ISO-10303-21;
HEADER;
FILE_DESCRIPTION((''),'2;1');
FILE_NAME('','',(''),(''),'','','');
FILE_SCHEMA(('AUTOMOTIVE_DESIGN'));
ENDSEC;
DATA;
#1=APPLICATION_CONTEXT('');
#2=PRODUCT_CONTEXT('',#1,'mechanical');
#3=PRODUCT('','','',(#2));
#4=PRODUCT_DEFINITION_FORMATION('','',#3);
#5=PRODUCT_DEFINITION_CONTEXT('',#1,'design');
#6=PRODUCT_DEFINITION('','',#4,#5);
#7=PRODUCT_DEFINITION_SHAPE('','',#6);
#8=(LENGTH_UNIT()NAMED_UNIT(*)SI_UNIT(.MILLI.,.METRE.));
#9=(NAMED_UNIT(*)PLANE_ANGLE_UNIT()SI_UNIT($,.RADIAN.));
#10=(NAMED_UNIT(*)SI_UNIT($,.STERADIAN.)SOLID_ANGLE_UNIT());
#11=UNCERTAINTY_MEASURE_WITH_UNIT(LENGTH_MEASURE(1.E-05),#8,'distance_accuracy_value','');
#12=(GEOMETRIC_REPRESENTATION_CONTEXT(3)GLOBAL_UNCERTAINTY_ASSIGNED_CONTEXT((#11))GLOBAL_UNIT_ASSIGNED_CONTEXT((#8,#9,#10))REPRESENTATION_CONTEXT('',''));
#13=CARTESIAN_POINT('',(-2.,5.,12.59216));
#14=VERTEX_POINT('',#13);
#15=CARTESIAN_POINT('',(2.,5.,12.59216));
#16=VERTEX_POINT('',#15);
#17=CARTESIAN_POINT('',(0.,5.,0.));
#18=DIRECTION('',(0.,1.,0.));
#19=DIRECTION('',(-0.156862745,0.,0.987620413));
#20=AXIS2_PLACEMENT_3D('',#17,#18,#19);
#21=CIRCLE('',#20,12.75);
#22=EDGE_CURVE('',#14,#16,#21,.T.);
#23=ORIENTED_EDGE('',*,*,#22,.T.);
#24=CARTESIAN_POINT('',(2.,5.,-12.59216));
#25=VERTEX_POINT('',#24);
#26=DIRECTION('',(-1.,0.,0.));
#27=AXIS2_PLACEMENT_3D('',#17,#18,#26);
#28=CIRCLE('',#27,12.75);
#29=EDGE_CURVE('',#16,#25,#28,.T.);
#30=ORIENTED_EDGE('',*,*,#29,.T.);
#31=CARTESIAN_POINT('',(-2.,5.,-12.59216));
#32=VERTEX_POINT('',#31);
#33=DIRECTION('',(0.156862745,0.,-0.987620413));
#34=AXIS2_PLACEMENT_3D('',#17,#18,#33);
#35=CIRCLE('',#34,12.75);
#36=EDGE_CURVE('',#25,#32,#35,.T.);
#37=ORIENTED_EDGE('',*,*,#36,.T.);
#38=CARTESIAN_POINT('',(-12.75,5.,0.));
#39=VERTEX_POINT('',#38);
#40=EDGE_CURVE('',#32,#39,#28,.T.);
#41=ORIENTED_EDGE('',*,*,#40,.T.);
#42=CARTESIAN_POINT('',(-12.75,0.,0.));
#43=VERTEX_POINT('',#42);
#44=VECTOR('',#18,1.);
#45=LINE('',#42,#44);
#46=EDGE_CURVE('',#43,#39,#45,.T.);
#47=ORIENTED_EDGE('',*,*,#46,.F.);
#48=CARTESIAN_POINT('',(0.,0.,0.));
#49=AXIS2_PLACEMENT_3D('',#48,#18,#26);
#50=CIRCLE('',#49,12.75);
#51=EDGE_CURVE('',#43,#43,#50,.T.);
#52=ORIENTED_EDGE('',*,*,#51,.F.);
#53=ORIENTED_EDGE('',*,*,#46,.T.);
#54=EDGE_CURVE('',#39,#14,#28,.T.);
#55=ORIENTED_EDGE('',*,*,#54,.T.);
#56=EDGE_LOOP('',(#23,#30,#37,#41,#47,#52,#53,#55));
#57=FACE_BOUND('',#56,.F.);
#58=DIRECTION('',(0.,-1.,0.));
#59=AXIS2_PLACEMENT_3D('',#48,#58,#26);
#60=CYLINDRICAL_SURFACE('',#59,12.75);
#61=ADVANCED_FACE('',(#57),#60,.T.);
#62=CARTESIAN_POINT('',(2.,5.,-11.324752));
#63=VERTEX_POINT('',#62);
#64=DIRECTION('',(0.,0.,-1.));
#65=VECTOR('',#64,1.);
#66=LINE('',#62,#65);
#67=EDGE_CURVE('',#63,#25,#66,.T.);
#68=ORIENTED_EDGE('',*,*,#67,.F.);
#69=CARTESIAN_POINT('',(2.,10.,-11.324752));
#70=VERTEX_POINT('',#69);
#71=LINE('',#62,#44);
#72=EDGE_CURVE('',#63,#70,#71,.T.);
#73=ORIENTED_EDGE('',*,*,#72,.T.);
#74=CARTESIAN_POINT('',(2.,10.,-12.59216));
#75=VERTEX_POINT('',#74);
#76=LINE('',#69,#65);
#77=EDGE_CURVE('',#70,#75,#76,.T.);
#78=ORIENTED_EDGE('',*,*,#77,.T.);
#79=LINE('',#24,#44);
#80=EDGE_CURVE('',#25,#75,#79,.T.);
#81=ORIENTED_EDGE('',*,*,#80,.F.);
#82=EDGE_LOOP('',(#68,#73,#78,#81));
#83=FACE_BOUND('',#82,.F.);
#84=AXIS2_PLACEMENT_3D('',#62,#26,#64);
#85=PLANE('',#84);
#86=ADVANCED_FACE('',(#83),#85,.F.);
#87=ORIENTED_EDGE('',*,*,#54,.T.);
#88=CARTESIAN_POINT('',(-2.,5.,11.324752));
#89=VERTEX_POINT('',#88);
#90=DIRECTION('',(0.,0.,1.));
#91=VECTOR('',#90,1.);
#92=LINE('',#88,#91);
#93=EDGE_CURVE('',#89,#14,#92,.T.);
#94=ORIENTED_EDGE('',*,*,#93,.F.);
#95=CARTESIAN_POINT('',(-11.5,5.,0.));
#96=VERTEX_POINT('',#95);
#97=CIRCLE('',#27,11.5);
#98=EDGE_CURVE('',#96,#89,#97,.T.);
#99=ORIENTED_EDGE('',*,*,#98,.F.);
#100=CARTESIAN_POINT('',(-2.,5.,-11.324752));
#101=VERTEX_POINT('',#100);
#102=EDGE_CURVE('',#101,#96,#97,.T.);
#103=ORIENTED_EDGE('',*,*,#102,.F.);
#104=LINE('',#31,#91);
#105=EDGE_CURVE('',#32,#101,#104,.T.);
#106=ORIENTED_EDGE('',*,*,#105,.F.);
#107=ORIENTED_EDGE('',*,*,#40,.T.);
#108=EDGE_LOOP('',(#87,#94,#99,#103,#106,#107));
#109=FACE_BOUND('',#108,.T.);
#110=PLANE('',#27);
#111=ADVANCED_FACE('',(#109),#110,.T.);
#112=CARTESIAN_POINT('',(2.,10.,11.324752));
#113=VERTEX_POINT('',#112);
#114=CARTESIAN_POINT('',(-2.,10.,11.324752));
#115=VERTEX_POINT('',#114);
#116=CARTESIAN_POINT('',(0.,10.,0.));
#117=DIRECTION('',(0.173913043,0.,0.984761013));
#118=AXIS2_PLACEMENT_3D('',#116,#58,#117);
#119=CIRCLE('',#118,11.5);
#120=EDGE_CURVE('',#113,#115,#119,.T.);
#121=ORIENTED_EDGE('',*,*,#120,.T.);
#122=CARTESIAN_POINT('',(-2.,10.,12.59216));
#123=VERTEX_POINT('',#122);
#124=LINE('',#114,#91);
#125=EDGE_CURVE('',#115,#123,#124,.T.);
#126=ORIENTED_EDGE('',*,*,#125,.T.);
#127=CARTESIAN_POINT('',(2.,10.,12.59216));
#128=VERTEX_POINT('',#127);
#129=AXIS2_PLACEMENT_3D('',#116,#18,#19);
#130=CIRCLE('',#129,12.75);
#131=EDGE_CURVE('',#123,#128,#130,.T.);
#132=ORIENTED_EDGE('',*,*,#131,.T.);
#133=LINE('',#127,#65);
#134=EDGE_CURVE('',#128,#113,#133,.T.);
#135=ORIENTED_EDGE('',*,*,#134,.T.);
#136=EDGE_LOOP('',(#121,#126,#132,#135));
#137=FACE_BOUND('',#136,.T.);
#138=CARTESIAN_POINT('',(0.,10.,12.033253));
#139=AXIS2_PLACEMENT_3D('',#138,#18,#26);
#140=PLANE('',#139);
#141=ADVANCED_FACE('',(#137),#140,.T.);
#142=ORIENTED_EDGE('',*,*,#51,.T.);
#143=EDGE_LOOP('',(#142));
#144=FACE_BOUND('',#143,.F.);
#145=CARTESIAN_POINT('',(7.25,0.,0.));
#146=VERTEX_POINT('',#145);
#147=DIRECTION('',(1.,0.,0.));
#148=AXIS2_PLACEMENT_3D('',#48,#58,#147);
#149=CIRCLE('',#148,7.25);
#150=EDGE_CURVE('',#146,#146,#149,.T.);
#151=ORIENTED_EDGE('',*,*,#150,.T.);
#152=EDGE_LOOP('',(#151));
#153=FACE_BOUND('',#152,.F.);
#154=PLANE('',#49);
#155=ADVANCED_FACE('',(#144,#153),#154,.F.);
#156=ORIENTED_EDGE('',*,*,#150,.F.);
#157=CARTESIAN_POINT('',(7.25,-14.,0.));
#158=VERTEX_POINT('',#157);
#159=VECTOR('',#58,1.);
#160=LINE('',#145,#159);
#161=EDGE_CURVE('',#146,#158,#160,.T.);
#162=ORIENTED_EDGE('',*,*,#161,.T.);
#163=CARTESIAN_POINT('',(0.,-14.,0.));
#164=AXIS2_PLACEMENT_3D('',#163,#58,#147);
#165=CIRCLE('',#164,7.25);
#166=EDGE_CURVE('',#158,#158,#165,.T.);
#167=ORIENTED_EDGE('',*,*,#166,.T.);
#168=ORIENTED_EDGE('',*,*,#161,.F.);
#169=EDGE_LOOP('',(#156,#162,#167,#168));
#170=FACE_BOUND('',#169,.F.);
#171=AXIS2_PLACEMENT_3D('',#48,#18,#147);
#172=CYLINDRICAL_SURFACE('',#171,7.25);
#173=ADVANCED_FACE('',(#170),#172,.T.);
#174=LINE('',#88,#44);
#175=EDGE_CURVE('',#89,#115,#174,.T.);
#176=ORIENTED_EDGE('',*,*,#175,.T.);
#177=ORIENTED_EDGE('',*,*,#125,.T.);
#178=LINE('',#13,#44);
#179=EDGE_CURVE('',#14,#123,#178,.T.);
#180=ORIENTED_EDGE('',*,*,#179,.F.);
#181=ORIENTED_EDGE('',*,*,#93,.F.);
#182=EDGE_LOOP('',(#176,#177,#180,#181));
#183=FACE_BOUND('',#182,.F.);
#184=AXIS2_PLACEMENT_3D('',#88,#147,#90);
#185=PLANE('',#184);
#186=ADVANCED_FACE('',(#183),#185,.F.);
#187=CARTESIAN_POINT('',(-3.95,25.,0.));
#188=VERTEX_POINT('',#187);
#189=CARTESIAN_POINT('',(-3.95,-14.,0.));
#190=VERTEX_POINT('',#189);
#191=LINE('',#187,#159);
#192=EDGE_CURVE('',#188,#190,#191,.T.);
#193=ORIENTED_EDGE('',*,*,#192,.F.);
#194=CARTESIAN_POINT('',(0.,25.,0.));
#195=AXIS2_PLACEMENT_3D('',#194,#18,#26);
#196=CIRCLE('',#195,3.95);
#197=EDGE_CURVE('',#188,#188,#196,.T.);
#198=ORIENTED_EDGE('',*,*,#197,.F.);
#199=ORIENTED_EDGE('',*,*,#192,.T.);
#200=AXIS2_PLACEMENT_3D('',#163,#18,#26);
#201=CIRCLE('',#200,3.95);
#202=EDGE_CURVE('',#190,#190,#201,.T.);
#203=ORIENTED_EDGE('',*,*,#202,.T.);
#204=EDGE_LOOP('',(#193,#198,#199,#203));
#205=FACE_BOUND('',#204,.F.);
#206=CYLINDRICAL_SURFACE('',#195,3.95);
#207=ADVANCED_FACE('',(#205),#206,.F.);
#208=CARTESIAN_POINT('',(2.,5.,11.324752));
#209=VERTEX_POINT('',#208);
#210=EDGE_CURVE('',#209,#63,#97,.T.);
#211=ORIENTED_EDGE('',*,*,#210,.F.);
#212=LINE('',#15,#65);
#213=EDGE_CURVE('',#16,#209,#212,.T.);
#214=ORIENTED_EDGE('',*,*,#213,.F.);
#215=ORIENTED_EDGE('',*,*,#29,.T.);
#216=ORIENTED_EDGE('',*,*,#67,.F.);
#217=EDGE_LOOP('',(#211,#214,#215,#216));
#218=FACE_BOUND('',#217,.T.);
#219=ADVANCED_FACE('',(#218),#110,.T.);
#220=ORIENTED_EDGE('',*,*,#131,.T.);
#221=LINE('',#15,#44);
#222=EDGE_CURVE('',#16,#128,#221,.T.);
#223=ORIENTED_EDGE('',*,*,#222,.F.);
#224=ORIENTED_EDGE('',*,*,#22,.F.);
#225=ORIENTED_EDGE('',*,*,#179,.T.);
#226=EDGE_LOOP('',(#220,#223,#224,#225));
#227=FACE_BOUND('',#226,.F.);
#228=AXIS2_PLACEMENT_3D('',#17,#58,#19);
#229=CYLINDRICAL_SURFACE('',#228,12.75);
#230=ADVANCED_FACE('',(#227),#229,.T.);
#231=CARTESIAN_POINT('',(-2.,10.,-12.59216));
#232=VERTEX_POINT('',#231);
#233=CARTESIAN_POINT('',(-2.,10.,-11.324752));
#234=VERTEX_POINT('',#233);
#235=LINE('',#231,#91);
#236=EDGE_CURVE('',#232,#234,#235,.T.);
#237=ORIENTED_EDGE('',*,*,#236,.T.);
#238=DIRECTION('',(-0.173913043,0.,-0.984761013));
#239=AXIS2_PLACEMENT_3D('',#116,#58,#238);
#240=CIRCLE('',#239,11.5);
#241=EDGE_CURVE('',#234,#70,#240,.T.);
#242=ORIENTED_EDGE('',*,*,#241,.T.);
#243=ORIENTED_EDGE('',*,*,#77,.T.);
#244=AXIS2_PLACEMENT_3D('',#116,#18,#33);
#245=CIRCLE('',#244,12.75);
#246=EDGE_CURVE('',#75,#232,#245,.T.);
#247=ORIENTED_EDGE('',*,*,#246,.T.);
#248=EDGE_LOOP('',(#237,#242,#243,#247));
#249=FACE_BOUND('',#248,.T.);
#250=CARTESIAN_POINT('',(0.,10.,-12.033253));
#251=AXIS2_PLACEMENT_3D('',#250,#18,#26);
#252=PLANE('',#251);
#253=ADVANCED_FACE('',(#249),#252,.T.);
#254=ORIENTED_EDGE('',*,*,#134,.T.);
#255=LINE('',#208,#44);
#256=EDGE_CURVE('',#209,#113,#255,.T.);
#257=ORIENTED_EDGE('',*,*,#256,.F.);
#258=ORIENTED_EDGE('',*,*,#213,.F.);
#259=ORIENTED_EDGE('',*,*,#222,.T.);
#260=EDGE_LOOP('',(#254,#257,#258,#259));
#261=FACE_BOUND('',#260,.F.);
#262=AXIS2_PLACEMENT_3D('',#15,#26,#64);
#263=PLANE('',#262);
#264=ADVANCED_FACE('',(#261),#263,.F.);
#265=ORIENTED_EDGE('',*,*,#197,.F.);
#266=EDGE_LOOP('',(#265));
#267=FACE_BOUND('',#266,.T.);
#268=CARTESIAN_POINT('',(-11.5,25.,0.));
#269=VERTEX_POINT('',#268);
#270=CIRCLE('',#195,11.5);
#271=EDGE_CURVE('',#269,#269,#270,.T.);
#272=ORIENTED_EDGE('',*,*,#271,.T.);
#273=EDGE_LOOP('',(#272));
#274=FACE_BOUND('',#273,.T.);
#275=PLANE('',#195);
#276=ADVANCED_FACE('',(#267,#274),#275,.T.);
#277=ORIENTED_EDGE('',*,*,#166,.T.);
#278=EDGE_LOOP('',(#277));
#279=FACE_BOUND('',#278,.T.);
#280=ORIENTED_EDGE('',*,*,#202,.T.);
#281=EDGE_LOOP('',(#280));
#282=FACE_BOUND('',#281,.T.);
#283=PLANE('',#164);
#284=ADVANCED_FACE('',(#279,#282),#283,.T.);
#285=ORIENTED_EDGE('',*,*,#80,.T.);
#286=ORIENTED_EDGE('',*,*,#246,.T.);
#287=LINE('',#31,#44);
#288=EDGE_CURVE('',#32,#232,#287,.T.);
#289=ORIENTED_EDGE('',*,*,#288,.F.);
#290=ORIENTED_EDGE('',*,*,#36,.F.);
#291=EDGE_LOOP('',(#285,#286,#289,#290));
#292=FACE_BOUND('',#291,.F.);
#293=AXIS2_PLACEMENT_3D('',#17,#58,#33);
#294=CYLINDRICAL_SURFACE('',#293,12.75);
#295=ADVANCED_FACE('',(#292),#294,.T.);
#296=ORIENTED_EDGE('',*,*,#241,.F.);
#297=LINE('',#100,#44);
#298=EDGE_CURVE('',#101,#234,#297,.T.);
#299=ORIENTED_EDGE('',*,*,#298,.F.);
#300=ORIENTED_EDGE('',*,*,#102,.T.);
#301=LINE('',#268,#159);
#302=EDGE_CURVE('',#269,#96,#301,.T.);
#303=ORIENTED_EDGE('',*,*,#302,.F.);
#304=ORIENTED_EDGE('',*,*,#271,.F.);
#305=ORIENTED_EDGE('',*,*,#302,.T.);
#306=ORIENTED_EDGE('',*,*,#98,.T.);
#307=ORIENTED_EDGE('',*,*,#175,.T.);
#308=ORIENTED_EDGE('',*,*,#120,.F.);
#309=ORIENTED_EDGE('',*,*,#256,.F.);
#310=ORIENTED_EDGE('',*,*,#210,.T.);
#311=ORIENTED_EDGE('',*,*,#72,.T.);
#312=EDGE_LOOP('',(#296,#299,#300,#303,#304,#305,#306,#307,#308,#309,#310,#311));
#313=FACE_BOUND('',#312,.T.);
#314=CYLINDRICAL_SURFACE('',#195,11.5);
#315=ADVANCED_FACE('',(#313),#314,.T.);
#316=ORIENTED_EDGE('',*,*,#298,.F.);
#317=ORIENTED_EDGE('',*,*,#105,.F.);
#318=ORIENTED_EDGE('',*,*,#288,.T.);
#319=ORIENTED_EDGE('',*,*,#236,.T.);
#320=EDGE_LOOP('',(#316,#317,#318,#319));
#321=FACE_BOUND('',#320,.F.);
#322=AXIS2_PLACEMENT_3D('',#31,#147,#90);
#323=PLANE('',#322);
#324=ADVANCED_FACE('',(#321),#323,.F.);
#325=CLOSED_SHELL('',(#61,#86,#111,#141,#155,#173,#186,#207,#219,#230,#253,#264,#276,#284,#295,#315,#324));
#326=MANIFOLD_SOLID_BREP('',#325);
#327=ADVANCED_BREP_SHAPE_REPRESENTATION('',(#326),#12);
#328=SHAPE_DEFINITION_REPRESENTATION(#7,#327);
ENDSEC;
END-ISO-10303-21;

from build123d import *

# Parameters (mm, degrees)
F0_R      = 7.25
F1_DEPTH  = 14
F3_R      = 3
F4_DEPTH  = 14.001
F6_R      = 12.75
F7_DEPTH  = 25
F8_R      = 3.95
F9_DEPTH  = 39.001
F10_R     = 12.75
F10_R_2   = 11.5
F11_DEPTH = 20
F13_DEPTH = 5


with BuildPart() as f1:
    # F0 (on Front) → F1 (new body)
    with BuildSketch(Plane.XZ):
        Circle(F0_R)
    extrude(amount=F1_DEPTH)

    # F3 (on face) → F4 (cut, through all)
    with BuildSketch(Plane.XZ.offset(14)):
        Circle(F3_R)
    extrude(amount=-F4_DEPTH, mode=Mode.SUBTRACT)

    # F6 (on offset) → F7 (join)
    with BuildSketch(Plane(origin=(0, 0, 0), x_dir=(-1, 0, 0), z_dir=(0, 1, 0))):
        Circle(F6_R)
    extrude(amount=F7_DEPTH)

    # F8 (on face) → F9 (cut, through all)
    with BuildSketch(Plane(origin=(0, 25, 0), x_dir=(-1, 0, 0), z_dir=(0, 1, 0))):
        Circle(F8_R)
    extrude(amount=-F9_DEPTH, mode=Mode.SUBTRACT)

    # F10 (on face) → F11 (cut)
    with BuildSketch(Plane(origin=(0, 25, 0), x_dir=(-1, 0, 0), z_dir=(0, 1, 0))):
        Circle(F10_R)
        Circle(F10_R_2, mode=Mode.SUBTRACT)
    extrude(amount=-F11_DEPTH, mode=Mode.SUBTRACT)

    # F12 (on face) → F13 (join)
    with BuildSketch(Plane(origin=(0, 5, 0), x_dir=(-1, 0, 0), z_dir=(0, 1, 0))):
        with BuildLine():
            ThreePointArc((2, 12.5921602595), (0, 12.75), (-2, 12.5921602595))
            Line((-2, 12.5921602595), (-2, 11.3247516529))
            ThreePointArc((-2, 11.3247516529), (0, 11.5), (2, 11.3247516529))
            Line((2, 11.3247516529), (2, 12.5921602595))
        make_face()
        with BuildLine():
            Line((-2, -11.3247516529), (-2, -12.5921602595))
            ThreePointArc((-2, -12.5921602595), (0, -12.75), (2, -12.5921602595))
            Line((2, -12.5921602595), (2, -11.3247516529))
            ThreePointArc((2, -11.3247516529), (0, -11.5), (-2, -11.3247516529))
        make_face()
    extrude(amount=F13_DEPTH)


solid = f1.part
